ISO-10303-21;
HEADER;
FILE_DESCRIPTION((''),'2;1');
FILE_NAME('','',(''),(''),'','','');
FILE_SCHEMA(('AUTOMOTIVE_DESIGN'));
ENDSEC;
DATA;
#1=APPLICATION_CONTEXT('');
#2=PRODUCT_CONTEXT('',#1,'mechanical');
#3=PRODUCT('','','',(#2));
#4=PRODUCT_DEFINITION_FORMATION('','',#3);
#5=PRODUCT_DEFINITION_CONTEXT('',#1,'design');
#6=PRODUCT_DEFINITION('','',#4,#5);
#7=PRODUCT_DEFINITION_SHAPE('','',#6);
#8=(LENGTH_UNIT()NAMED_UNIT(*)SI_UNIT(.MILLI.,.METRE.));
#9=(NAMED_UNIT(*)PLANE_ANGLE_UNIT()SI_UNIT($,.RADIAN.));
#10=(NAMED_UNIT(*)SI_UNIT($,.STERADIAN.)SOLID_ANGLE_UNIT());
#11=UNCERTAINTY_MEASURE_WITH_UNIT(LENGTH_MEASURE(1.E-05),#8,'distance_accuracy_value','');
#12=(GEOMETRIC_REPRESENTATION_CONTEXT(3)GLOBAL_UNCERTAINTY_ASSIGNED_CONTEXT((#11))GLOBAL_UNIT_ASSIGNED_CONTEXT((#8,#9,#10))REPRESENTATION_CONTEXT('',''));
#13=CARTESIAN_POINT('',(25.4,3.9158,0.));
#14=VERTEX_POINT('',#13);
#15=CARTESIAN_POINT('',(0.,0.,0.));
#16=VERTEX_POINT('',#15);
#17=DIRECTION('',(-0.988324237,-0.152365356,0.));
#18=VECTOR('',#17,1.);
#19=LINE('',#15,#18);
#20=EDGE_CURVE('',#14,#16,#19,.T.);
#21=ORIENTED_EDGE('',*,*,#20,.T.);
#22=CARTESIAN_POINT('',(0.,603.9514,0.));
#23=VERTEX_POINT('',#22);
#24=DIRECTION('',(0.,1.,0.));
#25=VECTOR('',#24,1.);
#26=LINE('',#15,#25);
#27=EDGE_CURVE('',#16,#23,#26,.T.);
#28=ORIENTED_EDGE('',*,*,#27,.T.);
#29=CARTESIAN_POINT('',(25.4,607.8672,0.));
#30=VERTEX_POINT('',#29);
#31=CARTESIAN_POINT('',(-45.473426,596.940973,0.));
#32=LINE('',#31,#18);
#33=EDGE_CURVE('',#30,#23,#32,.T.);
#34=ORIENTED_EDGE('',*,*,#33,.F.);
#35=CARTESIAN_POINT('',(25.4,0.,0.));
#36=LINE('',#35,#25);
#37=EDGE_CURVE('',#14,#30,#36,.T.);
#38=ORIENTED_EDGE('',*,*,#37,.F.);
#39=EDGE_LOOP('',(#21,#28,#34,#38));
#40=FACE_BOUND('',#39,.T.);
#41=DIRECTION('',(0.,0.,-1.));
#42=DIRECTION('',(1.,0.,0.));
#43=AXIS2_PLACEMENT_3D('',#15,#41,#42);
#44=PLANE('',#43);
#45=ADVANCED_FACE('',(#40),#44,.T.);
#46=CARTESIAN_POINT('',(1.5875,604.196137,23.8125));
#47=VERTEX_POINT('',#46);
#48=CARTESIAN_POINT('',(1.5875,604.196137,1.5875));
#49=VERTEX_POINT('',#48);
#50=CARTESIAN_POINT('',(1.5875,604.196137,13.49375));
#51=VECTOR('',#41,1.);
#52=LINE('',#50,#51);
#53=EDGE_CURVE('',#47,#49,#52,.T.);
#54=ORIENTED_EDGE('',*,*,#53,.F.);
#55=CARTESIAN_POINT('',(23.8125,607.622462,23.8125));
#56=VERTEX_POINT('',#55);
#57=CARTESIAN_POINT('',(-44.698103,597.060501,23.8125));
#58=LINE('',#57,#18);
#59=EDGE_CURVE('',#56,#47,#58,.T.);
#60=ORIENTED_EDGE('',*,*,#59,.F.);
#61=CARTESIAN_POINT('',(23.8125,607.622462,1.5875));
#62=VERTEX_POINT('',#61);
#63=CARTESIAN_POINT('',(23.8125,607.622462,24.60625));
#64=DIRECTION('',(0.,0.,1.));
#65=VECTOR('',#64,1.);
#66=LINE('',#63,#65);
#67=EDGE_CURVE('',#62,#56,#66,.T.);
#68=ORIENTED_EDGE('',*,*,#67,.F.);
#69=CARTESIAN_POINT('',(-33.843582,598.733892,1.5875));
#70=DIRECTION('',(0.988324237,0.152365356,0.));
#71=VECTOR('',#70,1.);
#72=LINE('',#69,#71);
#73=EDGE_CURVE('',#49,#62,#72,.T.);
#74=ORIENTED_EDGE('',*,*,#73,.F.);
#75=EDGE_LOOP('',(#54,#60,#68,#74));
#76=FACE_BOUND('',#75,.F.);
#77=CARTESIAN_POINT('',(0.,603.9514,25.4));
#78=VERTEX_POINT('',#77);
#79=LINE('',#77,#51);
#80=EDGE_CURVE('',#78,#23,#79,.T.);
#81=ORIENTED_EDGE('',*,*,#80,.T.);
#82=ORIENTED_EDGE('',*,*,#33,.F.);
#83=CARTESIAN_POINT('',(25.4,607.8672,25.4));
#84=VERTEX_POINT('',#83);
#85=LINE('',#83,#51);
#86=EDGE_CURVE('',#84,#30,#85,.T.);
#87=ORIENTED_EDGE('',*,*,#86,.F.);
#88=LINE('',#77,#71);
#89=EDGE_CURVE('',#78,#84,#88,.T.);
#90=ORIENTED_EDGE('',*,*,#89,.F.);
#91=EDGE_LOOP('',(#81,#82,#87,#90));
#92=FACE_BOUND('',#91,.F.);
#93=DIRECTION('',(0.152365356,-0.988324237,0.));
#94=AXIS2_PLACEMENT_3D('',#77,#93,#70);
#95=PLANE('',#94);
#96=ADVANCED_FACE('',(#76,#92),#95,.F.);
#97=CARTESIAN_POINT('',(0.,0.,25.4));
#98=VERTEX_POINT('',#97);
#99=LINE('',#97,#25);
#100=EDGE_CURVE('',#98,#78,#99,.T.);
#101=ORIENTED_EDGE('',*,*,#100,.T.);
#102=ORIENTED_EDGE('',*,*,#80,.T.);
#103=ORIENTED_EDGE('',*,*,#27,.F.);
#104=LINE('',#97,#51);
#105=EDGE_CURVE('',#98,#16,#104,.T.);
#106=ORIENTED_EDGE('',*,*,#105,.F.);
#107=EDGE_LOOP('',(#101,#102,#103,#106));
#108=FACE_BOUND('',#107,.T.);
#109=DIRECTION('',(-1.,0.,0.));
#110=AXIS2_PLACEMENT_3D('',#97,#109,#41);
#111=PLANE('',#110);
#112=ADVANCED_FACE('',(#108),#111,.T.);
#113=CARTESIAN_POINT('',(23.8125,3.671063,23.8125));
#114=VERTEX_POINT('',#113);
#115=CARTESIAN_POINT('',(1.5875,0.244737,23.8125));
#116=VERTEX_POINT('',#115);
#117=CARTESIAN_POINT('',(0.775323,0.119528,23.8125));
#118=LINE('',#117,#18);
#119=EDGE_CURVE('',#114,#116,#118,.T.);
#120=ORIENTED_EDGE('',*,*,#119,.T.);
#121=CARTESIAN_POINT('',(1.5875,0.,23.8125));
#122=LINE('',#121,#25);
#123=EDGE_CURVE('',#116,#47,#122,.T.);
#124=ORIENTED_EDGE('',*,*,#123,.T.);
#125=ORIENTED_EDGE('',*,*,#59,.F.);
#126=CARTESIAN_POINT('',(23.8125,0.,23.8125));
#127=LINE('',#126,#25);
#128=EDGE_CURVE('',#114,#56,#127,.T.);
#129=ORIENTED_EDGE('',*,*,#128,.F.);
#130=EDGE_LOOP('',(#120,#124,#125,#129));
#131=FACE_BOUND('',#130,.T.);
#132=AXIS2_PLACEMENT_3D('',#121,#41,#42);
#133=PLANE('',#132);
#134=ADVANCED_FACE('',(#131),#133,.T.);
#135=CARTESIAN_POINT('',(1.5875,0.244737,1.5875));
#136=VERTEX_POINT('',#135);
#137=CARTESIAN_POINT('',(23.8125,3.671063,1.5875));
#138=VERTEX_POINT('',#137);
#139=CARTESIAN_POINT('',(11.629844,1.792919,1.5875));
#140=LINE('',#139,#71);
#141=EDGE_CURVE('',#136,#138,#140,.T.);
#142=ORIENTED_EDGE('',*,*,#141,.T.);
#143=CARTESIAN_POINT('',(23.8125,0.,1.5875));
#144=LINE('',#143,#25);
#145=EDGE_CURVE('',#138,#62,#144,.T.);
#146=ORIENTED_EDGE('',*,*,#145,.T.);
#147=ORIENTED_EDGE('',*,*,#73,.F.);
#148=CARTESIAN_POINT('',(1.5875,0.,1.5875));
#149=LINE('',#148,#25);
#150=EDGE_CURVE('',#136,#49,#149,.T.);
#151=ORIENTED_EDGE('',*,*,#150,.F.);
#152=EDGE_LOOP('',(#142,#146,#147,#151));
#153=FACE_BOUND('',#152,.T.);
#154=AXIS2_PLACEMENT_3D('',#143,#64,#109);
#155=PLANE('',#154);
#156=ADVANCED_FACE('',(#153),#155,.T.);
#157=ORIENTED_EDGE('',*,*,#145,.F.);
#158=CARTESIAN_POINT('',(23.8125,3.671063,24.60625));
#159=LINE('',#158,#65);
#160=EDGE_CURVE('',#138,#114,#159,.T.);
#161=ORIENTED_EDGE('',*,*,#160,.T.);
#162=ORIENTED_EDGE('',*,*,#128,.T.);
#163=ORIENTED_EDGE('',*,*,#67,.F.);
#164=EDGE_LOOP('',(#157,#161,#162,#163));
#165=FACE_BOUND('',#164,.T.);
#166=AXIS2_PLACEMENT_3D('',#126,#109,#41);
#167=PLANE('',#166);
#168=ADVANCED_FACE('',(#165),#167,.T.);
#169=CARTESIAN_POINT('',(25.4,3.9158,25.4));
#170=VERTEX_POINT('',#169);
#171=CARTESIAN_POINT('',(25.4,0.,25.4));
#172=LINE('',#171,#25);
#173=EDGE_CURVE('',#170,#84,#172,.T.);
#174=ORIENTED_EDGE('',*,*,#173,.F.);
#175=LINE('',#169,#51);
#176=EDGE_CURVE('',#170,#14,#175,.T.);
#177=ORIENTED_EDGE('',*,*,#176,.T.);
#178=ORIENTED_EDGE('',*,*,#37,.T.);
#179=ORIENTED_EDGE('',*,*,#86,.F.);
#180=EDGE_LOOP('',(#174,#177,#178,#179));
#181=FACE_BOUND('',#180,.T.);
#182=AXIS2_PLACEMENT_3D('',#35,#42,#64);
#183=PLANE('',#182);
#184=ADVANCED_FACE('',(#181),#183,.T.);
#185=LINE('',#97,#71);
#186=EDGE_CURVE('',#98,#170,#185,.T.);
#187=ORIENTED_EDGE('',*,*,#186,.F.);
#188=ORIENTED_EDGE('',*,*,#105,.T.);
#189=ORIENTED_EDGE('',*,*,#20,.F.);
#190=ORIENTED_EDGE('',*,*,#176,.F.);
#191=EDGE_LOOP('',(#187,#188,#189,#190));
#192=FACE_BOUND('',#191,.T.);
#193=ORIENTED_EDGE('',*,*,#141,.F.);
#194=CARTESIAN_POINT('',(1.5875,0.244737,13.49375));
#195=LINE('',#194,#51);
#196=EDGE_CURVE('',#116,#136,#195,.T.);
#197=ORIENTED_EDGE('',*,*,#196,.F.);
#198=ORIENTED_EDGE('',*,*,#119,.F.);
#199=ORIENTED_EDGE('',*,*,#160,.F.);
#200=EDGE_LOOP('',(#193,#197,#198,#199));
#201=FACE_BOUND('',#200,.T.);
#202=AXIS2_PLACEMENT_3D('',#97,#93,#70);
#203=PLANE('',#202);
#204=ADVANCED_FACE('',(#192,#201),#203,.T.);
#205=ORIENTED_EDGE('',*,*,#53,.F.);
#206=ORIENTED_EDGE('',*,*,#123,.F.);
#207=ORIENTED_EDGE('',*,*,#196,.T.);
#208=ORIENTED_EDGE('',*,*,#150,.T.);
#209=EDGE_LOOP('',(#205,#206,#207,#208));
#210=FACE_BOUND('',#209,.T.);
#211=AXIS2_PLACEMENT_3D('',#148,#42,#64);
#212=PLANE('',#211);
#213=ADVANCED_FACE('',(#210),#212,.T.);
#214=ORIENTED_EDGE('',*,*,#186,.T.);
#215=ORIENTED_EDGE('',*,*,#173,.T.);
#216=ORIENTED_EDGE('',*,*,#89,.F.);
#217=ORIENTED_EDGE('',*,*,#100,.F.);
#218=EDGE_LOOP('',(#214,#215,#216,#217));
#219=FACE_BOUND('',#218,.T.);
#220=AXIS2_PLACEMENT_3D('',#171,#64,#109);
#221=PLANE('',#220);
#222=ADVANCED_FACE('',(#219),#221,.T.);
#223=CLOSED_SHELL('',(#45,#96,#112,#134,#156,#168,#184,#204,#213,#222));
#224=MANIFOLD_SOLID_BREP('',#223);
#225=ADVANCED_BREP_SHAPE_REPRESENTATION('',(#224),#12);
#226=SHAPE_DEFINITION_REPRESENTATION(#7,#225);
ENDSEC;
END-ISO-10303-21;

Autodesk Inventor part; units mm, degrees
ref_plane "YZ Plane" through (0, 0, 0) normal (1, 0, 0) x (0, 1, 0)
ref_plane "XZ Plane" through (0, 0, 0) normal (0, 1, 0) x (-1, 0, 0)
ref_plane "XY Plane" through (0, 0, 0) normal (0, 0, 1) x (1, 0, 0)
sketch "Sketch1" plane through (0, 0, 0) normal (0, 1, 0) x (-1, 0, 0)
  line L0 (0, 0) -> (-25.4, 0)
  line L1 (-25.4, 0) -> (-25.4, 25.4)
  line L2 (-25.4, 25.4) -> (0, 25.4)
  line L3 (0, 25.4) -> (0, 0)
  line L4 (-1.5875, 23.8125) -> (-23.8125, 23.8125)
  line L5 (-23.8125, 23.8125) -> (-23.8125, 1.5875)
  line L6 (-23.8125, 1.5875) -> (-1.5875, 1.5875)
  line L7 (-1.5875, 1.5875) -> (-1.5875, 23.8125)
  dimension "d0" = 25.4
  dimension "d2" = 25.4
  dimension "d3" = 1.5875
extrude "Extrusion1" add sketch "Sketch1" along normal blind 889
sketch "Sketch2" plane through (0, 0, 25.4) normal (0, 0, 1) x (1, 0, 0)
  line L0 (25.4, 0) -> (0, 0) projected
  line L1 (25.4, 0) -> (25.4, 889) projected
  line L2 (0, 889) -> (25.4, 889) projected
  line L3 (0, 0) -> (0, 889) projected
  line L4 (0, 0) -> (25.4, 3.9158)
  line L5 (0, 603.9514) -> (25.4, 607.8672)
  dimension "d6" = 596.9
  dimension "d10" = 603.9514
extrude "Extrusion2" cut sketch "Sketch2" against normal blind 889 contours L0 L4 L1 | L3 L2 L1 L5
properties part number "Tower Angled Mount" material "Aluminum 6061"
